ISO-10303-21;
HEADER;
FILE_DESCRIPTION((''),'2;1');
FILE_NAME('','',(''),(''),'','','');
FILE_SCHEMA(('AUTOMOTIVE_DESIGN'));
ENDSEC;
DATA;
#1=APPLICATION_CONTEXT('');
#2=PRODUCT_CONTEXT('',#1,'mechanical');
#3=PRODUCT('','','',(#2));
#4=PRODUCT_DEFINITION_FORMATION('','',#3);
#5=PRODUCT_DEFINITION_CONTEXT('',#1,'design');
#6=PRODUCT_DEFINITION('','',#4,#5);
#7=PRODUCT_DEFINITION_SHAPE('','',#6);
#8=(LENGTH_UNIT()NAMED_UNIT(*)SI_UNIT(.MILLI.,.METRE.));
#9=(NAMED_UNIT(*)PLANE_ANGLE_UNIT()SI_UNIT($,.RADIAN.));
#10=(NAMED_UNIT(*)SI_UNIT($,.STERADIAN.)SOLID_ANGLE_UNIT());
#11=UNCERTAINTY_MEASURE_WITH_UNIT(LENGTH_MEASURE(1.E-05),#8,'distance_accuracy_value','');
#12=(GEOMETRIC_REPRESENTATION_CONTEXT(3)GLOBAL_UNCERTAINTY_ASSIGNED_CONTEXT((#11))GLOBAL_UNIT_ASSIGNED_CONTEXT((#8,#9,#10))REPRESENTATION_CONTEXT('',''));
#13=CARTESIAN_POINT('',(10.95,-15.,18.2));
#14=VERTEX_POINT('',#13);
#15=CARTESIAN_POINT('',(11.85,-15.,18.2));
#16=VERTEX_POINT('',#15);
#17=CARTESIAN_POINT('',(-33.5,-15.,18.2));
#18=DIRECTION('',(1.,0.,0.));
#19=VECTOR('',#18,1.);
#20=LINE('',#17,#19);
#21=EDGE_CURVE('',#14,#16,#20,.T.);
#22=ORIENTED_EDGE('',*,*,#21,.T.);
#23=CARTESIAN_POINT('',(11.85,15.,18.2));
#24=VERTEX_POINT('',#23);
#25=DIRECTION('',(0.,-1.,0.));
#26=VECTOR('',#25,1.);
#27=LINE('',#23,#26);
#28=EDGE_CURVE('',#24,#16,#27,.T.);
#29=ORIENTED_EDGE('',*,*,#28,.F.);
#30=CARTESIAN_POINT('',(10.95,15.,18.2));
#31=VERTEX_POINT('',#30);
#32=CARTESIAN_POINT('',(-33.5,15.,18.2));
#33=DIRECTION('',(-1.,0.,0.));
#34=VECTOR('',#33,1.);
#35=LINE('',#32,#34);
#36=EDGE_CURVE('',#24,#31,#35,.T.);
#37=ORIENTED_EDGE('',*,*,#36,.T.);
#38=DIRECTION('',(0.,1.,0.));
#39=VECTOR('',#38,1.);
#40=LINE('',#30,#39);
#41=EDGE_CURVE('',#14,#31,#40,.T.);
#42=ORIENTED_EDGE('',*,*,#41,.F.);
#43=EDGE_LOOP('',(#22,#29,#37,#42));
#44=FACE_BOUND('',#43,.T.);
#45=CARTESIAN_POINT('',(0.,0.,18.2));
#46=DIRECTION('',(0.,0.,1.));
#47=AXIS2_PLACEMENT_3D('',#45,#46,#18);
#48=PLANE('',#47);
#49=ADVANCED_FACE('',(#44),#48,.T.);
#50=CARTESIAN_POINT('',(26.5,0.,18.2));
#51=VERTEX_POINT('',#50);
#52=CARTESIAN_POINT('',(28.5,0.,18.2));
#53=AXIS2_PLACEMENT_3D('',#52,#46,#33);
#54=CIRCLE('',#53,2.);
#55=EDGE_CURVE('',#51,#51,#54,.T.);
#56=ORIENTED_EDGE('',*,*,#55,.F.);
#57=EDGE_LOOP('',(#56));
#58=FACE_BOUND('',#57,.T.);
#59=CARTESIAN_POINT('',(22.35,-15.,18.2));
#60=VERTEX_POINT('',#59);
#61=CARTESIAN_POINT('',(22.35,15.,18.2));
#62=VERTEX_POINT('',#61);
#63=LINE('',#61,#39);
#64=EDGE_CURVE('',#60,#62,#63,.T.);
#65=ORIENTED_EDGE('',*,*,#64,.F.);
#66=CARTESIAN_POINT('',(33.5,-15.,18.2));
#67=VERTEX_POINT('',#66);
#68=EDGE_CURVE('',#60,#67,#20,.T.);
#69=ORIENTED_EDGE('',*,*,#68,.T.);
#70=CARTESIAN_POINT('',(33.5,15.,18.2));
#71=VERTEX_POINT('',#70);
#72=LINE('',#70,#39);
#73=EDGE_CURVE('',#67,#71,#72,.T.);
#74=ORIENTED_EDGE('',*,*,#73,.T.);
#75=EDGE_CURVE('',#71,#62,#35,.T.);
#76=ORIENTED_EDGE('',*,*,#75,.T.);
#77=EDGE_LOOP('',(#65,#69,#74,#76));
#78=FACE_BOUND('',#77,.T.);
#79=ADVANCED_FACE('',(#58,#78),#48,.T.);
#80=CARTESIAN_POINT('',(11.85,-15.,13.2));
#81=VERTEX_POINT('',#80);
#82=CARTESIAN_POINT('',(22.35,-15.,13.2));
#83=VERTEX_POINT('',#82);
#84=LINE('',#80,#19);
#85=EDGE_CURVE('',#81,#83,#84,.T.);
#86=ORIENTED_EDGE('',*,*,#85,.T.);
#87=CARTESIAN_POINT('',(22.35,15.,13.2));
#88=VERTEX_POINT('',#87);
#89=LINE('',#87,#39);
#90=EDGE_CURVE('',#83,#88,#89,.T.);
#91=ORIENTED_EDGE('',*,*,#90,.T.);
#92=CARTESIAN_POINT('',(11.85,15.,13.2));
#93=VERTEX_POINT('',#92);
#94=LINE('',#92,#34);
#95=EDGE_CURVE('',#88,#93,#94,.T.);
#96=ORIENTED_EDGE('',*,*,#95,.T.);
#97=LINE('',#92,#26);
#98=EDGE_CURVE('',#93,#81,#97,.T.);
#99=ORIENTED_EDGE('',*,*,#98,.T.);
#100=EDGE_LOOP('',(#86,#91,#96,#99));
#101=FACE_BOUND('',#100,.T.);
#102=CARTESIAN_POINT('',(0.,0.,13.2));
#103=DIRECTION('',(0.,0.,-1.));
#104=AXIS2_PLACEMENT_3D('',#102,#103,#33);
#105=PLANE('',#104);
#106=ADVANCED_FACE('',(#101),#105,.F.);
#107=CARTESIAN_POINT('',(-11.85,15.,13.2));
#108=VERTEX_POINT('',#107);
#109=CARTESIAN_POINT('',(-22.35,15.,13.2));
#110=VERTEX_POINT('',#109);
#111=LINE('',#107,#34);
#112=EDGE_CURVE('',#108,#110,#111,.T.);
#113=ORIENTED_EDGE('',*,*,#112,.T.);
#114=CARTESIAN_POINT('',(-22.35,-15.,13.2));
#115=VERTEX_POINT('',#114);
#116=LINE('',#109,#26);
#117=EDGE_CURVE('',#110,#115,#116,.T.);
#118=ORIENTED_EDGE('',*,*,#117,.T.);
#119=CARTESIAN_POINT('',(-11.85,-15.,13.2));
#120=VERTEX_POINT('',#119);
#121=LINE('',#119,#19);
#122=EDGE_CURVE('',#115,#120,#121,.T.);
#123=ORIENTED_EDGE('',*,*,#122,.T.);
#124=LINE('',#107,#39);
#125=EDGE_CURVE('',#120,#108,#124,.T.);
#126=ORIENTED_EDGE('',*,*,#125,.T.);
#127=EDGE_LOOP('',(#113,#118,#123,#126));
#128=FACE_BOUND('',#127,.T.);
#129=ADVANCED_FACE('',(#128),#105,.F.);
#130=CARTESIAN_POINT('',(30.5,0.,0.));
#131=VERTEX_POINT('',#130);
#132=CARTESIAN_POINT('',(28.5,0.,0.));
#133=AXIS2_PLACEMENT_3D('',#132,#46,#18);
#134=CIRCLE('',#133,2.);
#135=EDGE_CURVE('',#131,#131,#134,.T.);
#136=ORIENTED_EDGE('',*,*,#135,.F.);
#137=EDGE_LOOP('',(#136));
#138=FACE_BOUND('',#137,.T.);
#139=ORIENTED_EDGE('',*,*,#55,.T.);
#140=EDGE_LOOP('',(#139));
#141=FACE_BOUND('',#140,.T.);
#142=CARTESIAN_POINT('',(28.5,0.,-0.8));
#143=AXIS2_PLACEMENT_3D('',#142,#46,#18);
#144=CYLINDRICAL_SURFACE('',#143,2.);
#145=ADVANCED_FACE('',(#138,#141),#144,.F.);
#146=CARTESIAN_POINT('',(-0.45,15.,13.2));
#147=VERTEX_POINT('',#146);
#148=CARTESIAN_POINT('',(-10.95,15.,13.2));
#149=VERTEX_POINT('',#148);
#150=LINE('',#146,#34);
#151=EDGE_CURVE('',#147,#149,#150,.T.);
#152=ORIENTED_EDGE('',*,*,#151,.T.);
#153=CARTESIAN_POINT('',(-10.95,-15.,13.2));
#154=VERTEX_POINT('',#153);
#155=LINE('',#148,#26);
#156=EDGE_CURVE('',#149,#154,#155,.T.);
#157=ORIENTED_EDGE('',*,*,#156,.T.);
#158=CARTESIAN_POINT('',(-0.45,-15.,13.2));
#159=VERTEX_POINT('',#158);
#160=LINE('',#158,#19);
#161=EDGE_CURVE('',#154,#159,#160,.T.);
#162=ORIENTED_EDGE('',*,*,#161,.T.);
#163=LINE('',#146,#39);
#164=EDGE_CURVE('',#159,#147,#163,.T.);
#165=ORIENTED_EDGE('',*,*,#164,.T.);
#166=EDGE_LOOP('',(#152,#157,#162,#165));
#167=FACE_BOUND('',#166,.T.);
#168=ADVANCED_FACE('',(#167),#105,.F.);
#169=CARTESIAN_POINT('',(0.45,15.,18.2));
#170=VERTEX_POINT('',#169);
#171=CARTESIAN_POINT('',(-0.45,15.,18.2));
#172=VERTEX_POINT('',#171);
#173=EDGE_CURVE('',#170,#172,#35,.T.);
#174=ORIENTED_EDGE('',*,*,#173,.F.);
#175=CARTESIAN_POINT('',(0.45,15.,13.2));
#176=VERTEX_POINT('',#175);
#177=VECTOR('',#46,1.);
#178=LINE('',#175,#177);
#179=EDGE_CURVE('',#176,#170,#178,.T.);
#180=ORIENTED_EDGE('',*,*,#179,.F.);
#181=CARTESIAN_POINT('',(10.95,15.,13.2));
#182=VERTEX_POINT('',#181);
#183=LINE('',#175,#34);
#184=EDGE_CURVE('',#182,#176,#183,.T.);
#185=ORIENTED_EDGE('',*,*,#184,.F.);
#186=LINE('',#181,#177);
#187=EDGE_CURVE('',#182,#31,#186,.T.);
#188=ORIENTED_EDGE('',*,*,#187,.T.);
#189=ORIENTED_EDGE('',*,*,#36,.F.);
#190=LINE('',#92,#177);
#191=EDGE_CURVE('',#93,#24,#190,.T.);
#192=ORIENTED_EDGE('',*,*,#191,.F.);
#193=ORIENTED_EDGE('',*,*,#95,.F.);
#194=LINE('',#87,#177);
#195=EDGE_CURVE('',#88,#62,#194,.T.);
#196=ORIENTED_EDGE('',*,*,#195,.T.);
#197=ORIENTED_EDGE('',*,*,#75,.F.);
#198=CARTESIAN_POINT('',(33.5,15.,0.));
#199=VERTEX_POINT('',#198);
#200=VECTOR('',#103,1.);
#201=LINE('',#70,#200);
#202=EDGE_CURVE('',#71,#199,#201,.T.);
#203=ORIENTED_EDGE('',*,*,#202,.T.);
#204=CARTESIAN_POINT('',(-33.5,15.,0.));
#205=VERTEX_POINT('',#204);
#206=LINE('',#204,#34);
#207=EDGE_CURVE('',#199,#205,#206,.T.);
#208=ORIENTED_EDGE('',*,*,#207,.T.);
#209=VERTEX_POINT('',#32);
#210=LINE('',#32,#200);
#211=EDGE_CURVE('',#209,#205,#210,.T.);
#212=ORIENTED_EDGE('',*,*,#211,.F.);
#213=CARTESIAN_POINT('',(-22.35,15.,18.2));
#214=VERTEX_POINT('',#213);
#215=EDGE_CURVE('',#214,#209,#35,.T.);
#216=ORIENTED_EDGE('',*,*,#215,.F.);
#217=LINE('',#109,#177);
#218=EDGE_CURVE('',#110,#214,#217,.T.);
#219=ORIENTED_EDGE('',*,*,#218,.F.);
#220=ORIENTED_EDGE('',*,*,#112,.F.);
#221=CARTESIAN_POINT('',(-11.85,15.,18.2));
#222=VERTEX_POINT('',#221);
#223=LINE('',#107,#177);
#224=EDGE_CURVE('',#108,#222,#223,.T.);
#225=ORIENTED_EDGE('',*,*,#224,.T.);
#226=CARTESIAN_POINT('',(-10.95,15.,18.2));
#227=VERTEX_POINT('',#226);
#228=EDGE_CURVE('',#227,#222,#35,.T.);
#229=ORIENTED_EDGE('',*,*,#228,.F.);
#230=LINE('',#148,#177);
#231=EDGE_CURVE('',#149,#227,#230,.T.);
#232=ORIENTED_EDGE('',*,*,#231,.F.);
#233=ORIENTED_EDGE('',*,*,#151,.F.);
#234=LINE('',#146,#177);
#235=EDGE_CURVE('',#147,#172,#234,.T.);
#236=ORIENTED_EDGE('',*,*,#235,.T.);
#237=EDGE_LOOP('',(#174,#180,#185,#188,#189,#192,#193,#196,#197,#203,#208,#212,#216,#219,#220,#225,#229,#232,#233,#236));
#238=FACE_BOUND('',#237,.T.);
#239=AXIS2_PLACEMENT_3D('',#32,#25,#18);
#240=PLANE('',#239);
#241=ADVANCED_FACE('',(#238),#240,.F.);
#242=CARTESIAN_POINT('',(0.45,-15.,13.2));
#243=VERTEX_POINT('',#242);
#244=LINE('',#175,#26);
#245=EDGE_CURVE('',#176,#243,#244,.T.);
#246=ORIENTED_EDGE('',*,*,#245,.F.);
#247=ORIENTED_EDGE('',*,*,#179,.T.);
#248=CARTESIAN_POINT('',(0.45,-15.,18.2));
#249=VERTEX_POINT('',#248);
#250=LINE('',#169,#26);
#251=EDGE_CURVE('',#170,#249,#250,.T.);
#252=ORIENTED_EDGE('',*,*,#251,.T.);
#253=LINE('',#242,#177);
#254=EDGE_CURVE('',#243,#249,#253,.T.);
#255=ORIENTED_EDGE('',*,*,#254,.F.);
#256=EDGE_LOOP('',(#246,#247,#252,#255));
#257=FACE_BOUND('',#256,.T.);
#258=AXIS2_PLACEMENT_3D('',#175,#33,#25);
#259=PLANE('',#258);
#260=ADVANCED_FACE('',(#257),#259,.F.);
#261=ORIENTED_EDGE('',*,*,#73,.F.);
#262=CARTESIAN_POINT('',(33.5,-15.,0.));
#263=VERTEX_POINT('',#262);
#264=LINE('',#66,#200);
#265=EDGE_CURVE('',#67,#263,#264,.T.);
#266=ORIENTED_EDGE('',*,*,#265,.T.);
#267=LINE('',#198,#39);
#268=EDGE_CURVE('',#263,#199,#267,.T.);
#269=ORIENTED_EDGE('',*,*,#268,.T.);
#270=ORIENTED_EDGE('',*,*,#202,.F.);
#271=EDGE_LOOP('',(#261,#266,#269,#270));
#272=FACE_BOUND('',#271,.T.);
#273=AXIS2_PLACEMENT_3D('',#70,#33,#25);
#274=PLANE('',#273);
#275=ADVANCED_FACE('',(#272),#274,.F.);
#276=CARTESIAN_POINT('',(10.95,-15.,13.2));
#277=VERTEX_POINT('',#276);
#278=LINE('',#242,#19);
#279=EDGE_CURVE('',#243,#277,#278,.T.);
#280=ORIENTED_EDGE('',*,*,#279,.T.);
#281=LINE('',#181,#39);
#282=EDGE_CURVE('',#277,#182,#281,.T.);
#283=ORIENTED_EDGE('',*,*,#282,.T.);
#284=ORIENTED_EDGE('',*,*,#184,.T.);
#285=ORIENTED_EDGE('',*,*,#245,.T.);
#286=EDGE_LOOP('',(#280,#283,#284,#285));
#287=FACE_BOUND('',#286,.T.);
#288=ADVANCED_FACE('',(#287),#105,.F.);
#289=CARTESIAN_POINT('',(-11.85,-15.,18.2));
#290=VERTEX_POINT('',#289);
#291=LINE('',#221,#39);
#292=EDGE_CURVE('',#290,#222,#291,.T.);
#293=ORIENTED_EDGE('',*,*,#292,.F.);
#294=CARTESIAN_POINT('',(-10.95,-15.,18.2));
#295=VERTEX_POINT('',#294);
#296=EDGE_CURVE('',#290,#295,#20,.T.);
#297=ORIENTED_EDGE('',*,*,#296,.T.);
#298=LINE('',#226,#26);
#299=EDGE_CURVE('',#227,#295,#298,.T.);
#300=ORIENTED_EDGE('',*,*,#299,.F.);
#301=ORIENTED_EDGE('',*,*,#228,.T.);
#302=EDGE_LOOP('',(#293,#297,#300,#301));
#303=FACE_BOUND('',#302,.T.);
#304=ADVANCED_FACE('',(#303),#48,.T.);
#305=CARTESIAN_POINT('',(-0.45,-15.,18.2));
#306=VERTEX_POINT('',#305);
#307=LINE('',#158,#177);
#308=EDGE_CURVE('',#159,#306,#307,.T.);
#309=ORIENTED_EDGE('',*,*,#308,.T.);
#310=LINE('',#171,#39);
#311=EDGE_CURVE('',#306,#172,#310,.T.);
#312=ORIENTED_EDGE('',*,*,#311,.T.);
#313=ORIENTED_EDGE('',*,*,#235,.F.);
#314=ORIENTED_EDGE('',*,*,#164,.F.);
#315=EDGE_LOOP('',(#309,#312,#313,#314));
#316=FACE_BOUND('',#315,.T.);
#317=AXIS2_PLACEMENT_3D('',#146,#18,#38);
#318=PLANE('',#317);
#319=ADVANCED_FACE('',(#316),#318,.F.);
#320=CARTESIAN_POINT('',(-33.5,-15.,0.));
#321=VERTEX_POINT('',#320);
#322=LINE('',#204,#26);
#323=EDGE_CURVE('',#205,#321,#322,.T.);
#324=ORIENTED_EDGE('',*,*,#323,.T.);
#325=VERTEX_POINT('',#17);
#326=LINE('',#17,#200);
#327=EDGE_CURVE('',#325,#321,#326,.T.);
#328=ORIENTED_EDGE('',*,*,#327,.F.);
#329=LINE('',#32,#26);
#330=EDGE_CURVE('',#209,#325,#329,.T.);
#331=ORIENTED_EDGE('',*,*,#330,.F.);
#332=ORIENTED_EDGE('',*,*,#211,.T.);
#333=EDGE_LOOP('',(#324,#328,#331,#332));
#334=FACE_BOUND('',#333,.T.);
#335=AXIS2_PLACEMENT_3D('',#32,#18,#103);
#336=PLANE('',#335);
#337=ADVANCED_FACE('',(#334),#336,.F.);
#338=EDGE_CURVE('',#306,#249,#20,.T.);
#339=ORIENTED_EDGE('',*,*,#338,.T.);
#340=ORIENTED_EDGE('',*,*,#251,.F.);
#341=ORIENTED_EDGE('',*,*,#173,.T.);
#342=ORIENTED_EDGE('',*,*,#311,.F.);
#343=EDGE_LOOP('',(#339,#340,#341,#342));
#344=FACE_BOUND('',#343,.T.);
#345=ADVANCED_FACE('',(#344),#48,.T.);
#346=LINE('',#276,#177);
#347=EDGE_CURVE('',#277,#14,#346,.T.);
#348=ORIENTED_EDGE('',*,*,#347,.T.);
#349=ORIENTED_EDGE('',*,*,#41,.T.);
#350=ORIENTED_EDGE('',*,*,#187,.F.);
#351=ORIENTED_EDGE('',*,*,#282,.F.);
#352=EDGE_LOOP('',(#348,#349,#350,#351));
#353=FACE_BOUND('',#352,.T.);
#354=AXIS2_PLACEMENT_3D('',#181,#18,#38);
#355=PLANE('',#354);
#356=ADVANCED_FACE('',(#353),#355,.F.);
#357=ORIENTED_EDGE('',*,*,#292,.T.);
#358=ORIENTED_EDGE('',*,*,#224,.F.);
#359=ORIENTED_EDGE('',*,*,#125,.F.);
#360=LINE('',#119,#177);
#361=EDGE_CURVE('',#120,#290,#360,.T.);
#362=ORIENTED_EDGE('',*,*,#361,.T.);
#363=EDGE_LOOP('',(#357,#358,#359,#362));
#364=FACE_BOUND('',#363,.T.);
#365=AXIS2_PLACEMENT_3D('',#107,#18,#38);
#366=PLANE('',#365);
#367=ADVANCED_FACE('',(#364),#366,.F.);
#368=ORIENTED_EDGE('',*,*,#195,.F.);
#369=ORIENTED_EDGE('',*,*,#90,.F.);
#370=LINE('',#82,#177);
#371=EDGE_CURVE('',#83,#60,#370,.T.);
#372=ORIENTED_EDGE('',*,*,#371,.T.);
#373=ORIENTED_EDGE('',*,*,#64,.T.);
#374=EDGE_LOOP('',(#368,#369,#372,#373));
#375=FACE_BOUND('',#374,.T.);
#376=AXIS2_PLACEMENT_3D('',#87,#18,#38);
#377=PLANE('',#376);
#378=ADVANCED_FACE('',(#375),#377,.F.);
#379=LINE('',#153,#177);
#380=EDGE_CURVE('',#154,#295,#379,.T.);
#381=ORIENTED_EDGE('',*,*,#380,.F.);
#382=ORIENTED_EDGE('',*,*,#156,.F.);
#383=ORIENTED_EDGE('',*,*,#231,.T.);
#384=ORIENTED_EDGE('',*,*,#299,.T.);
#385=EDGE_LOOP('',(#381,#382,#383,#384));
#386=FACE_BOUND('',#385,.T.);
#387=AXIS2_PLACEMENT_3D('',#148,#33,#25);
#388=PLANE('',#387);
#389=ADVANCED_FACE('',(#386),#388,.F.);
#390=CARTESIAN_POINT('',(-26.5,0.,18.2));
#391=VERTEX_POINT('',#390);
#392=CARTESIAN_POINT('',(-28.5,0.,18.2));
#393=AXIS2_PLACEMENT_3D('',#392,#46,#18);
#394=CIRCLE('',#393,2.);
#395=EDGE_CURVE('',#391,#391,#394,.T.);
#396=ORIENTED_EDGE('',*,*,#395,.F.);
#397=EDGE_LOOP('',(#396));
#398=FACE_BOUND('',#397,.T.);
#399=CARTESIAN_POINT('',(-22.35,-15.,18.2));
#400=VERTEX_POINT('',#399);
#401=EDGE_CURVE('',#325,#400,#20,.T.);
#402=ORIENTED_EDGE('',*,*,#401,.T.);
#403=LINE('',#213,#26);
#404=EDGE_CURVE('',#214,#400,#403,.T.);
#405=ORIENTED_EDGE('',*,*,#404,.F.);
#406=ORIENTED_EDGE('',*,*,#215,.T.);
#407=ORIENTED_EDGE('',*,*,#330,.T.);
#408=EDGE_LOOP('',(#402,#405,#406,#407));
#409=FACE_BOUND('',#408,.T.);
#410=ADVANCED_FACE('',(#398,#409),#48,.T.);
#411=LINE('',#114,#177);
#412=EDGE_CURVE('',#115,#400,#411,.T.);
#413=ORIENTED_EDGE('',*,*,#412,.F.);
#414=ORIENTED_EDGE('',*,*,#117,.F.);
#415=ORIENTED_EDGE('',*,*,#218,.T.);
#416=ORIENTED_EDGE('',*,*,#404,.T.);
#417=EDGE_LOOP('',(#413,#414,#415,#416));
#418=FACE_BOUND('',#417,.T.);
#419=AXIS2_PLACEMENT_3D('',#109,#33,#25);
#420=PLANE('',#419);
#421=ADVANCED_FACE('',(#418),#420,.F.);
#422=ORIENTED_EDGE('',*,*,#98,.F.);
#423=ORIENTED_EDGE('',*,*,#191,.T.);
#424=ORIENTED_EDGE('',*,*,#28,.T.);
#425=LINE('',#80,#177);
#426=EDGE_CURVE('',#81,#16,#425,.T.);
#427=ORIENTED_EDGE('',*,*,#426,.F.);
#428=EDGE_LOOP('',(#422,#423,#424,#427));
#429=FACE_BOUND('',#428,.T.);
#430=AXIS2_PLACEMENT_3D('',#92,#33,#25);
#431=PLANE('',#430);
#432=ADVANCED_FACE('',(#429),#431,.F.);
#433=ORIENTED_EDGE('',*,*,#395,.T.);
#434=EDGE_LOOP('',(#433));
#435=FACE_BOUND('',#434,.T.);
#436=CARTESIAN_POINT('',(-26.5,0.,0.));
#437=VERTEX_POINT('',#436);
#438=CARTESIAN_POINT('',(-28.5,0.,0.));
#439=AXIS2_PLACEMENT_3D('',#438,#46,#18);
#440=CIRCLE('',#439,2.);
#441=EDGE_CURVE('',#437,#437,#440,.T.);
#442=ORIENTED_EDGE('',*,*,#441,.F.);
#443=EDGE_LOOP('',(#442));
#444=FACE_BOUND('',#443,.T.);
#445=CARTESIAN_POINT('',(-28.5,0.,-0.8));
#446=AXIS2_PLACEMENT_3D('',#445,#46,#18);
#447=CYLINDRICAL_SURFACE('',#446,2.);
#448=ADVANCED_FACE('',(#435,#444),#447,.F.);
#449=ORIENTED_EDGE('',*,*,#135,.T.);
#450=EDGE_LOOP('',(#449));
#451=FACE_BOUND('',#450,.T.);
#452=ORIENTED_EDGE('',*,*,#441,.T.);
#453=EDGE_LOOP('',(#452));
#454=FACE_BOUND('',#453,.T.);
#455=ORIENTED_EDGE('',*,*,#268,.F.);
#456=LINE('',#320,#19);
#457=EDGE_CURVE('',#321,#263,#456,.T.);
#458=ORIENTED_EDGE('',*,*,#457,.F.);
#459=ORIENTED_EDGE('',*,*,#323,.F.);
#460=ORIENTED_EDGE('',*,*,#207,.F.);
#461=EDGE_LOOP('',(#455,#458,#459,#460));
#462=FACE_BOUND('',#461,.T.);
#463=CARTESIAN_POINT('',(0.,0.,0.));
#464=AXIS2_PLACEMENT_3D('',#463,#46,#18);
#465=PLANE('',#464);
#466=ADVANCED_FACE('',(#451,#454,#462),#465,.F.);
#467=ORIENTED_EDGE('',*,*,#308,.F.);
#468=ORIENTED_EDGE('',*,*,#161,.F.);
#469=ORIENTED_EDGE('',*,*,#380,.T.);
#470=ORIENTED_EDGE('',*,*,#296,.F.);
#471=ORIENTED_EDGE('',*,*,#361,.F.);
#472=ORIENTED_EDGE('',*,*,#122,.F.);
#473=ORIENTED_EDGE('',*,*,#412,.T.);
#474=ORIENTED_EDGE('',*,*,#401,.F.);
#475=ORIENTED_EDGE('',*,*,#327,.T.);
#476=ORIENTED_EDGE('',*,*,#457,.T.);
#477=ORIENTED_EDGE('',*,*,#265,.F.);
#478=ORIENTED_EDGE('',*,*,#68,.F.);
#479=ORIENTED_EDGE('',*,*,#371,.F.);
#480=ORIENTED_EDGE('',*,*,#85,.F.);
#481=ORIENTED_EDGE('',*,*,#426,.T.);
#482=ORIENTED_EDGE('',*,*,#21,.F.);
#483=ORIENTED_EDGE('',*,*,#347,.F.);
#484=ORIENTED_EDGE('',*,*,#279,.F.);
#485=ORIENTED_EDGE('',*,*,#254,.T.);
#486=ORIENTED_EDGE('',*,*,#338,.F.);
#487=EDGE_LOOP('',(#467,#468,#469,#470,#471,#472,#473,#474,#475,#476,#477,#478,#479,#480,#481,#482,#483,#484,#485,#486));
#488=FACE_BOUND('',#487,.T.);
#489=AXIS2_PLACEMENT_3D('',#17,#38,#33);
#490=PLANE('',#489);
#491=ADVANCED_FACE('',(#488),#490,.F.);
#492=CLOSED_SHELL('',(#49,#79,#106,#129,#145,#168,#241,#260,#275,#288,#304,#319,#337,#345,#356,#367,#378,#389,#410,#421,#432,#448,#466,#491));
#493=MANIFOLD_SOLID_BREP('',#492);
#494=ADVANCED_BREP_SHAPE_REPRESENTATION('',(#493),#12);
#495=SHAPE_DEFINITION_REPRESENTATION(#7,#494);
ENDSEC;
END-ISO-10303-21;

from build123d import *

# Parameters (mm, degrees)
SKETCH_1_W          = 67
SKETCH_1_H          = 30
EXTRUDE_1_DEPTH     = 18.2
SKETCH_2_R          = 2
CUT_EXTRUDE_1_DEPTH = 19
SKETCH_3_W          = 10.5
SKETCH_3_H          = 30
CUT_EXTRUDE_2_DEPTH = 5


with BuildPart() as part:
    # 草图1 → 凸台-拉伸1 (new body)
    with BuildSketch(Plane.XY):
        Rectangle(SKETCH_1_W, SKETCH_1_H)
    extrude(amount=EXTRUDE_1_DEPTH)

    # 草图2 → 切除-拉伸1 (cut)
    with BuildSketch(Plane.XY.offset(18.2)):
        with Locations((-28.5, 0)):
            Circle(SKETCH_2_R)
        with Locations((28.5, 0)):
            Circle(SKETCH_2_R)
    extrude(amount=-CUT_EXTRUDE_1_DEPTH, mode=Mode.SUBTRACT)

    # 草图3 → 切除-拉伸2 (cut)
    with BuildSketch(Plane.XY.offset(18.2)):
        with Locations((-5.7, 0)):
            Rectangle(SKETCH_3_W, SKETCH_3_H)
        with Locations((-17.1, 0)):
            Rectangle(SKETCH_3_W, SKETCH_3_H)
        with Locations((17.1, 0)):
            Rectangle(SKETCH_3_W, SKETCH_3_H)
        with Locations((5.7, 0)):
            Rectangle(SKETCH_3_W, SKETCH_3_H)
    extrude(amount=-CUT_EXTRUDE_2_DEPTH, mode=Mode.SUBTRACT)


solid = part.part
